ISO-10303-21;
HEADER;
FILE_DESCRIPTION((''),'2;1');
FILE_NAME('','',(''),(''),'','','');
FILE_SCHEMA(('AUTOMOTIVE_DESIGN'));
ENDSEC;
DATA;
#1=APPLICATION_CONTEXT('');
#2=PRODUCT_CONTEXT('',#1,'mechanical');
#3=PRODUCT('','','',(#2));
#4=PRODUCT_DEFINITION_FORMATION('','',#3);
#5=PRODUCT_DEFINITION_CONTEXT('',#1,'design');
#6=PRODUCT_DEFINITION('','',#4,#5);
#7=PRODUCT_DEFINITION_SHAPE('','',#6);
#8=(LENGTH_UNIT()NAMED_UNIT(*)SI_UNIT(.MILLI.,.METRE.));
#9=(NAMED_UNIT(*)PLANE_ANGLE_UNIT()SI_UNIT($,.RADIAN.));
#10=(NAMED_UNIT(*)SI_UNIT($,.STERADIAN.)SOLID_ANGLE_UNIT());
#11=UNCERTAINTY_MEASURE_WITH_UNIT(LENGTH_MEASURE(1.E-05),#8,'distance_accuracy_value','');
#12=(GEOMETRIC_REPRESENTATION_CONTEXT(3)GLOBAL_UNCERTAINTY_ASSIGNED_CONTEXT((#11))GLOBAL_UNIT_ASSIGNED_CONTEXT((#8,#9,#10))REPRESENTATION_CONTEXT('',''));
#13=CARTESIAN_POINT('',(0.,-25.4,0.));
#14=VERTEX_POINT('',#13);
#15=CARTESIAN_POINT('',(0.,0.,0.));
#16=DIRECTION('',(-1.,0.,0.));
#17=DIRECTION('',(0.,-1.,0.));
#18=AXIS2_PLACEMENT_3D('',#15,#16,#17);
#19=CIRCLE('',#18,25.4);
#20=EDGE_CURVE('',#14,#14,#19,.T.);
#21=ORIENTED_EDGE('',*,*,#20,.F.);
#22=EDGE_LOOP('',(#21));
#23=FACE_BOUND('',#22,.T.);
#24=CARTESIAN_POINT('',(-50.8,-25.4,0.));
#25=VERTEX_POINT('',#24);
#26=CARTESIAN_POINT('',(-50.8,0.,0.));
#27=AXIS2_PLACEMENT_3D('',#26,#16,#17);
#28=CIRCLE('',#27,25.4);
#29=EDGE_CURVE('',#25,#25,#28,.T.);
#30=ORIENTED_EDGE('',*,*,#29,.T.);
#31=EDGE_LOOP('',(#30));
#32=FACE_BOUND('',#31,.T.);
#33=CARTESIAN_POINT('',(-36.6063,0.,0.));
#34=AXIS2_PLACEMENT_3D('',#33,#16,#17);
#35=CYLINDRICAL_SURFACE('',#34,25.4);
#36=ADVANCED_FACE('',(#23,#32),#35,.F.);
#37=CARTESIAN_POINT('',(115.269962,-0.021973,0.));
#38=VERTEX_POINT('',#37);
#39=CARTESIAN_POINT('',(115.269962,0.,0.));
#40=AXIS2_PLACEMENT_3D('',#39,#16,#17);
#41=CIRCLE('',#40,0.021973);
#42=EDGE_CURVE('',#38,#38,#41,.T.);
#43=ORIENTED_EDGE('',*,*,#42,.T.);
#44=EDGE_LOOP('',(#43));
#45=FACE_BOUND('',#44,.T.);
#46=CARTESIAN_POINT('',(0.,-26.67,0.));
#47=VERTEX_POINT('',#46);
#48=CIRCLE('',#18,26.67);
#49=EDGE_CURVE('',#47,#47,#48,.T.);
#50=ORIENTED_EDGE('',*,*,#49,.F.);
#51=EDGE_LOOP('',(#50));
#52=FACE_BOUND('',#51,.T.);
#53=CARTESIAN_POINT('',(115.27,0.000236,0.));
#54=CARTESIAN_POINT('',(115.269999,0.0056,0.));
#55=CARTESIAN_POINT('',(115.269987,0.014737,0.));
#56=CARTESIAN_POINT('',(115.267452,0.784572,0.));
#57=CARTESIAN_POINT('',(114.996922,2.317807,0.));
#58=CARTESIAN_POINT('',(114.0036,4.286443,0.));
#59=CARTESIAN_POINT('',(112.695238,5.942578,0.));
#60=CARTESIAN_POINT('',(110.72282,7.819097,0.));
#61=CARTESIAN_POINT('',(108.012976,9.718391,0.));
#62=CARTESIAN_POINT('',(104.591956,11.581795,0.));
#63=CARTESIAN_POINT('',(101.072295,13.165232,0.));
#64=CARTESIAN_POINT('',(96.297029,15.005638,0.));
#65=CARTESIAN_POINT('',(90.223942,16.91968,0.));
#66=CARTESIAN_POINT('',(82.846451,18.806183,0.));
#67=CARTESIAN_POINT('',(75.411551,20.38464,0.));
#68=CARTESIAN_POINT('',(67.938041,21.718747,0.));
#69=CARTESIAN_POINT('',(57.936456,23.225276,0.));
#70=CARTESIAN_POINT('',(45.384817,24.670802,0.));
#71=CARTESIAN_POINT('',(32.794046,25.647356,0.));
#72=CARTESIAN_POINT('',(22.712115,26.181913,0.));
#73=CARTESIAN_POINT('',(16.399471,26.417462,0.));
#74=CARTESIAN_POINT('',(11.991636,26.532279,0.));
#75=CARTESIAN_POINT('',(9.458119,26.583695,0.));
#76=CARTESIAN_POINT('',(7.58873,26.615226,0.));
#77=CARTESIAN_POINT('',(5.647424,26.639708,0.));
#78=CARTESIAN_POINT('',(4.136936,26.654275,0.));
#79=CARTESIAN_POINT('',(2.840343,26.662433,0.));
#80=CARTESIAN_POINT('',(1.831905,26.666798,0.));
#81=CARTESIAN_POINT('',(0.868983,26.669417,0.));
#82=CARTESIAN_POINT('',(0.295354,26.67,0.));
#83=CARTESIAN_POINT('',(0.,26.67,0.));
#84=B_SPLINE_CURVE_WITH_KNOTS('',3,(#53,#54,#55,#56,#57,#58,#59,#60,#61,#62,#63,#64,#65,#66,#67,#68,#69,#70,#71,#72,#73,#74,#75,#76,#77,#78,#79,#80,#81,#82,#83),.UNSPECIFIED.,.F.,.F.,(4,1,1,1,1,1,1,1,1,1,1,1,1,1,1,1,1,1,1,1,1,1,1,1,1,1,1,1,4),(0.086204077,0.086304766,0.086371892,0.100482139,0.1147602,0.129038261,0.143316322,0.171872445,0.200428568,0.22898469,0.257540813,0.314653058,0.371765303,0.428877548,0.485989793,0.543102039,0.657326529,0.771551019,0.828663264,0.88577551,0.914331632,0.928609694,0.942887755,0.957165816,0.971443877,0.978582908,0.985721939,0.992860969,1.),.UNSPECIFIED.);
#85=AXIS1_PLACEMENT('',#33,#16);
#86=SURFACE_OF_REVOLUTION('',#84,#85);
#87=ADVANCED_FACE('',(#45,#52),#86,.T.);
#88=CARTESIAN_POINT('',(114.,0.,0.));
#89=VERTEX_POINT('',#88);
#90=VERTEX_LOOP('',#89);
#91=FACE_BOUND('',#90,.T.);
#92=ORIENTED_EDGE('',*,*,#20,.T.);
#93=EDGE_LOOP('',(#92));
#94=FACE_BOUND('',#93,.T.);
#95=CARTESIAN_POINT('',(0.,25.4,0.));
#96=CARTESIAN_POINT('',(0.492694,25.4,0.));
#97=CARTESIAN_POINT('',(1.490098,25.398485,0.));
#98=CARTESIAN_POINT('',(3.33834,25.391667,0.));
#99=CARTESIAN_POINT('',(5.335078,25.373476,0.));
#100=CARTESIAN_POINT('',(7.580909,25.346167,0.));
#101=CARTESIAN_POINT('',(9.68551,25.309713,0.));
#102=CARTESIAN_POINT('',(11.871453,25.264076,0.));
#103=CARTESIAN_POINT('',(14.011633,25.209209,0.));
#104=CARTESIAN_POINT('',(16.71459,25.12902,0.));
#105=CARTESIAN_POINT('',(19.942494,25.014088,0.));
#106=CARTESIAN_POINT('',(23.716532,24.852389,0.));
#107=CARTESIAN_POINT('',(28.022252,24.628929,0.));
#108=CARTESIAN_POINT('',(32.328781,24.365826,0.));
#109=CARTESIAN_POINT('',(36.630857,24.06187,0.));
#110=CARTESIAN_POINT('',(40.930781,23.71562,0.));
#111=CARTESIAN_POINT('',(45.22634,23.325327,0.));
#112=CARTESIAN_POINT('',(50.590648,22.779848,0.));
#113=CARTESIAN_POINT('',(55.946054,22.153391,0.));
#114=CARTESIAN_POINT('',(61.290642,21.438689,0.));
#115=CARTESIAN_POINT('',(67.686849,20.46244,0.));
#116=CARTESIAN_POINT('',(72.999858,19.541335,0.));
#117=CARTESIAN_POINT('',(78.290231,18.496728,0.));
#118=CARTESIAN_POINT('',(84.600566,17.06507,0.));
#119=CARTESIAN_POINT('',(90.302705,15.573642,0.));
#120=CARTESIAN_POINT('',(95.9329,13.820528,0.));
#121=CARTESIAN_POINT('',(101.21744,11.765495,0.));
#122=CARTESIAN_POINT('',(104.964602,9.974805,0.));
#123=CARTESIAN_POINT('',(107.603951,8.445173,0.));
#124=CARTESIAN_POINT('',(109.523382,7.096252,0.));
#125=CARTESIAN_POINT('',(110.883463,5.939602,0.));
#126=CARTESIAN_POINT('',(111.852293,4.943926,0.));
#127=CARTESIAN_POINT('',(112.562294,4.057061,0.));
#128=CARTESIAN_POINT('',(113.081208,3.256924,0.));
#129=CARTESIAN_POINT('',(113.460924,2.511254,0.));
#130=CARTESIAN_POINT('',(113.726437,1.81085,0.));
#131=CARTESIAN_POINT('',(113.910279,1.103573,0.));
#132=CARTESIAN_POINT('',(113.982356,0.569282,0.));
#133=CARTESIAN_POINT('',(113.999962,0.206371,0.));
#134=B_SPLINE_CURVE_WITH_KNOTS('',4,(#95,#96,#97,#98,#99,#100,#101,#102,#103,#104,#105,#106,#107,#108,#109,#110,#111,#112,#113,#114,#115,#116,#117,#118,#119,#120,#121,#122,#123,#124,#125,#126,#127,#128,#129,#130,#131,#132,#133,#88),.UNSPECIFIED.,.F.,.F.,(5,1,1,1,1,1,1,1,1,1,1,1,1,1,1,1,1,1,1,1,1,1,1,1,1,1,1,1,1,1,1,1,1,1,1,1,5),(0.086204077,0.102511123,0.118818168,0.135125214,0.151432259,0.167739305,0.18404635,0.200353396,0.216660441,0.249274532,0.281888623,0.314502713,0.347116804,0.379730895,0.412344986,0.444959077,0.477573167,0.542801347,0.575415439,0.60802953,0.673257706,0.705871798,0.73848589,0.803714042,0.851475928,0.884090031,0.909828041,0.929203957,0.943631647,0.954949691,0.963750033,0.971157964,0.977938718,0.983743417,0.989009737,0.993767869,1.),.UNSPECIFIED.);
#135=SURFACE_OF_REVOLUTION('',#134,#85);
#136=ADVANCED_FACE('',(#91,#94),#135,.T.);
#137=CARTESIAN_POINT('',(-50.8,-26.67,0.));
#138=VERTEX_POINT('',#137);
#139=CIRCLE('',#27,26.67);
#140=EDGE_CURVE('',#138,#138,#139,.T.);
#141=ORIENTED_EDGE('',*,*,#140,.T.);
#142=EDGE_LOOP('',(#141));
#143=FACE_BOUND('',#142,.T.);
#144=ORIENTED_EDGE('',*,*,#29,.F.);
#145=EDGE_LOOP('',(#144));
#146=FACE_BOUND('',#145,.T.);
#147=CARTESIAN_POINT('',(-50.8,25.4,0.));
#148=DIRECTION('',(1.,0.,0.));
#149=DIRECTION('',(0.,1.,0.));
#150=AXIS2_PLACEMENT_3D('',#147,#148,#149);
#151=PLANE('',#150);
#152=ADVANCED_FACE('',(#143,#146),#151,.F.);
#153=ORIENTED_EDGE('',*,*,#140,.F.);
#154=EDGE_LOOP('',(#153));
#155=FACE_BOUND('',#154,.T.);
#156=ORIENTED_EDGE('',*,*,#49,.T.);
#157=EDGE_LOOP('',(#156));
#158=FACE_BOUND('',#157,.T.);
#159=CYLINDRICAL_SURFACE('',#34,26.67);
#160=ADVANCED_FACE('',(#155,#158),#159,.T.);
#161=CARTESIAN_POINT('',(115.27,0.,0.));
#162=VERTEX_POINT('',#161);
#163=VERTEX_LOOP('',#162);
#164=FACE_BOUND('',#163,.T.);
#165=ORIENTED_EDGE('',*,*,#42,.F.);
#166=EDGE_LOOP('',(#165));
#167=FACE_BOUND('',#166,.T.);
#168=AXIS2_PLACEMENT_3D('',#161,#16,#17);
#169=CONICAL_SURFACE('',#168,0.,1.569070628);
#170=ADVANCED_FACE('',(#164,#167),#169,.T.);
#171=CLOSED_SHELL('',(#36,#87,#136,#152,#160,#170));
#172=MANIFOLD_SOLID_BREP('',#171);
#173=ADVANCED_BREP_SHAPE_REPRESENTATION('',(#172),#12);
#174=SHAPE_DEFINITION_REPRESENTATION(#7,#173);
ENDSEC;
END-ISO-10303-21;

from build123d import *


with BuildPart() as part:
    # Sketch1 → Revolve1 (revolve)
    with BuildSketch(Plane.XY, mode=Mode.PRIVATE) as revolve1_sk:
        with BuildLine():
            Line((114, 0), (115.27, 0))
            Line((115.27, 0), (115.26996208, 0.021973433))
            add(Edge.make_bspline(
                [(0, 26.67), (0.295354458, 26.67), (0.868983227, 26.66941741), (1.831904676, 26.666798189), (2.840343064, 26.662432751), (4.136936467, 26.654275379), (5.647424138, 26.639707807), (7.588730111, 26.615226215), (9.458118542, 26.583695383), (11.991635692, 26.532279342), (16.399470903, 26.417462242), (22.712115228, 26.18191259), (32.794046445, 25.647356331), (45.384817129, 24.670801838), (57.936455602, 23.225275941), (67.938040942, 21.718747093), (75.41155088, 20.384640287), (82.846450521, 18.806182969), (90.223942402, 16.919680073), (96.29702924, 15.005638371), (101.072295325, 13.165231742), (104.591956457, 11.58179534), (108.012975592, 9.718390964), (110.722819961, 7.8190975), (112.695237925, 5.942577677), (114.003600012, 4.286442925), (114.996921855, 2.317807267), (115.267132927, 0.786379994), (115.269956101, 0.023784832), (115.26996208, 0.021973433)],
                knots=[0.086204077, 0.086204077, 0.086204077, 0.086204077, 0.093343108, 0.100482139, 0.107621169, 0.1147602, 0.129038261, 0.143316322, 0.157594384, 0.171872445, 0.200428568, 0.257540813, 0.314653058, 0.428877548, 0.543102039, 0.600214284, 0.657326529, 0.714438774, 0.771551019, 0.828663264, 0.857219387, 0.88577551, 0.914331632, 0.942887755, 0.957165816, 0.971443877, 0.985721939, 0.999832185, 0.999865748, 0.999865748, 0.999865748, 0.999865748], degree=3))
            Line((0, 26.67), (-50.8, 26.67))
            Line((-50.8, 26.67), (-50.8, 25.4))
            Line((-50.8, 25.4), (0, 25.4))
            add(Edge.make_bspline(
                [(0, 25.4), (0.49269448, 25.4), (1.490098077, 25.398484872), (3.338339889, 25.391666791), (5.335077938, 25.37347611), (7.580908538, 25.34616729), (9.685510429, 25.30971268), (11.871452621, 25.264075563), (14.011632834, 25.20920908), (16.714589667, 25.129019532), (19.942494363, 25.01408762), (23.716532499, 24.852389019), (28.022252468, 24.62892938), (32.328780776, 24.365826132), (36.630857375, 24.061870368), (40.930781301, 23.71562031), (45.226339878, 23.325327169), (50.590648235, 22.779847576), (55.946054364, 22.153390774), (61.290642422, 21.438688891), (67.686848861, 20.462439889), (72.999857656, 19.541334625), (78.290230775, 18.496727889), (84.600566277, 17.065070336), (90.302704774, 15.573641525), (95.932900365, 13.820528014), (101.217440057, 11.765494712), (104.964602481, 9.974804769), (107.603951185, 8.4451727), (109.523381846, 7.096252361), (110.883463267, 5.939602372), (111.852292617, 4.943926114), (112.562293701, 4.057061214), (113.081208047, 3.256924445), (113.460924161, 2.511253808), (113.726436918, 1.810850235), (113.910279086, 1.103573173), (113.982356417, 0.569281783), (113.999961621, 0.206370755), (114, 0)],
                knots=[0.086204077, 0.086204077, 0.086204077, 0.086204077, 0.086204077, 0.102511123, 0.118818168, 0.135125214, 0.151432259, 0.167739305, 0.18404635, 0.200353396, 0.216660441, 0.249274532, 0.281888623, 0.314502713, 0.347116804, 0.379730895, 0.412344986, 0.444959077, 0.477573167, 0.542801347, 0.575415439, 0.60802953, 0.673257706, 0.705871798, 0.73848589, 0.803714042, 0.851475928, 0.884090031, 0.909828041, 0.929203957, 0.943631647, 0.954949691, 0.963750033, 0.971157964, 0.977938718, 0.983743417, 0.989009737, 0.993767869, 1, 1, 1, 1, 1], degree=4))
        make_face()
    revolve(revolve1_sk.sketch.rotate(Axis((-36.606300059, 0, 0), (1, 0, 0)), 180), axis=Axis((-36.606300059, 0, 0), (1, 0, 0)))


solid = part.part
